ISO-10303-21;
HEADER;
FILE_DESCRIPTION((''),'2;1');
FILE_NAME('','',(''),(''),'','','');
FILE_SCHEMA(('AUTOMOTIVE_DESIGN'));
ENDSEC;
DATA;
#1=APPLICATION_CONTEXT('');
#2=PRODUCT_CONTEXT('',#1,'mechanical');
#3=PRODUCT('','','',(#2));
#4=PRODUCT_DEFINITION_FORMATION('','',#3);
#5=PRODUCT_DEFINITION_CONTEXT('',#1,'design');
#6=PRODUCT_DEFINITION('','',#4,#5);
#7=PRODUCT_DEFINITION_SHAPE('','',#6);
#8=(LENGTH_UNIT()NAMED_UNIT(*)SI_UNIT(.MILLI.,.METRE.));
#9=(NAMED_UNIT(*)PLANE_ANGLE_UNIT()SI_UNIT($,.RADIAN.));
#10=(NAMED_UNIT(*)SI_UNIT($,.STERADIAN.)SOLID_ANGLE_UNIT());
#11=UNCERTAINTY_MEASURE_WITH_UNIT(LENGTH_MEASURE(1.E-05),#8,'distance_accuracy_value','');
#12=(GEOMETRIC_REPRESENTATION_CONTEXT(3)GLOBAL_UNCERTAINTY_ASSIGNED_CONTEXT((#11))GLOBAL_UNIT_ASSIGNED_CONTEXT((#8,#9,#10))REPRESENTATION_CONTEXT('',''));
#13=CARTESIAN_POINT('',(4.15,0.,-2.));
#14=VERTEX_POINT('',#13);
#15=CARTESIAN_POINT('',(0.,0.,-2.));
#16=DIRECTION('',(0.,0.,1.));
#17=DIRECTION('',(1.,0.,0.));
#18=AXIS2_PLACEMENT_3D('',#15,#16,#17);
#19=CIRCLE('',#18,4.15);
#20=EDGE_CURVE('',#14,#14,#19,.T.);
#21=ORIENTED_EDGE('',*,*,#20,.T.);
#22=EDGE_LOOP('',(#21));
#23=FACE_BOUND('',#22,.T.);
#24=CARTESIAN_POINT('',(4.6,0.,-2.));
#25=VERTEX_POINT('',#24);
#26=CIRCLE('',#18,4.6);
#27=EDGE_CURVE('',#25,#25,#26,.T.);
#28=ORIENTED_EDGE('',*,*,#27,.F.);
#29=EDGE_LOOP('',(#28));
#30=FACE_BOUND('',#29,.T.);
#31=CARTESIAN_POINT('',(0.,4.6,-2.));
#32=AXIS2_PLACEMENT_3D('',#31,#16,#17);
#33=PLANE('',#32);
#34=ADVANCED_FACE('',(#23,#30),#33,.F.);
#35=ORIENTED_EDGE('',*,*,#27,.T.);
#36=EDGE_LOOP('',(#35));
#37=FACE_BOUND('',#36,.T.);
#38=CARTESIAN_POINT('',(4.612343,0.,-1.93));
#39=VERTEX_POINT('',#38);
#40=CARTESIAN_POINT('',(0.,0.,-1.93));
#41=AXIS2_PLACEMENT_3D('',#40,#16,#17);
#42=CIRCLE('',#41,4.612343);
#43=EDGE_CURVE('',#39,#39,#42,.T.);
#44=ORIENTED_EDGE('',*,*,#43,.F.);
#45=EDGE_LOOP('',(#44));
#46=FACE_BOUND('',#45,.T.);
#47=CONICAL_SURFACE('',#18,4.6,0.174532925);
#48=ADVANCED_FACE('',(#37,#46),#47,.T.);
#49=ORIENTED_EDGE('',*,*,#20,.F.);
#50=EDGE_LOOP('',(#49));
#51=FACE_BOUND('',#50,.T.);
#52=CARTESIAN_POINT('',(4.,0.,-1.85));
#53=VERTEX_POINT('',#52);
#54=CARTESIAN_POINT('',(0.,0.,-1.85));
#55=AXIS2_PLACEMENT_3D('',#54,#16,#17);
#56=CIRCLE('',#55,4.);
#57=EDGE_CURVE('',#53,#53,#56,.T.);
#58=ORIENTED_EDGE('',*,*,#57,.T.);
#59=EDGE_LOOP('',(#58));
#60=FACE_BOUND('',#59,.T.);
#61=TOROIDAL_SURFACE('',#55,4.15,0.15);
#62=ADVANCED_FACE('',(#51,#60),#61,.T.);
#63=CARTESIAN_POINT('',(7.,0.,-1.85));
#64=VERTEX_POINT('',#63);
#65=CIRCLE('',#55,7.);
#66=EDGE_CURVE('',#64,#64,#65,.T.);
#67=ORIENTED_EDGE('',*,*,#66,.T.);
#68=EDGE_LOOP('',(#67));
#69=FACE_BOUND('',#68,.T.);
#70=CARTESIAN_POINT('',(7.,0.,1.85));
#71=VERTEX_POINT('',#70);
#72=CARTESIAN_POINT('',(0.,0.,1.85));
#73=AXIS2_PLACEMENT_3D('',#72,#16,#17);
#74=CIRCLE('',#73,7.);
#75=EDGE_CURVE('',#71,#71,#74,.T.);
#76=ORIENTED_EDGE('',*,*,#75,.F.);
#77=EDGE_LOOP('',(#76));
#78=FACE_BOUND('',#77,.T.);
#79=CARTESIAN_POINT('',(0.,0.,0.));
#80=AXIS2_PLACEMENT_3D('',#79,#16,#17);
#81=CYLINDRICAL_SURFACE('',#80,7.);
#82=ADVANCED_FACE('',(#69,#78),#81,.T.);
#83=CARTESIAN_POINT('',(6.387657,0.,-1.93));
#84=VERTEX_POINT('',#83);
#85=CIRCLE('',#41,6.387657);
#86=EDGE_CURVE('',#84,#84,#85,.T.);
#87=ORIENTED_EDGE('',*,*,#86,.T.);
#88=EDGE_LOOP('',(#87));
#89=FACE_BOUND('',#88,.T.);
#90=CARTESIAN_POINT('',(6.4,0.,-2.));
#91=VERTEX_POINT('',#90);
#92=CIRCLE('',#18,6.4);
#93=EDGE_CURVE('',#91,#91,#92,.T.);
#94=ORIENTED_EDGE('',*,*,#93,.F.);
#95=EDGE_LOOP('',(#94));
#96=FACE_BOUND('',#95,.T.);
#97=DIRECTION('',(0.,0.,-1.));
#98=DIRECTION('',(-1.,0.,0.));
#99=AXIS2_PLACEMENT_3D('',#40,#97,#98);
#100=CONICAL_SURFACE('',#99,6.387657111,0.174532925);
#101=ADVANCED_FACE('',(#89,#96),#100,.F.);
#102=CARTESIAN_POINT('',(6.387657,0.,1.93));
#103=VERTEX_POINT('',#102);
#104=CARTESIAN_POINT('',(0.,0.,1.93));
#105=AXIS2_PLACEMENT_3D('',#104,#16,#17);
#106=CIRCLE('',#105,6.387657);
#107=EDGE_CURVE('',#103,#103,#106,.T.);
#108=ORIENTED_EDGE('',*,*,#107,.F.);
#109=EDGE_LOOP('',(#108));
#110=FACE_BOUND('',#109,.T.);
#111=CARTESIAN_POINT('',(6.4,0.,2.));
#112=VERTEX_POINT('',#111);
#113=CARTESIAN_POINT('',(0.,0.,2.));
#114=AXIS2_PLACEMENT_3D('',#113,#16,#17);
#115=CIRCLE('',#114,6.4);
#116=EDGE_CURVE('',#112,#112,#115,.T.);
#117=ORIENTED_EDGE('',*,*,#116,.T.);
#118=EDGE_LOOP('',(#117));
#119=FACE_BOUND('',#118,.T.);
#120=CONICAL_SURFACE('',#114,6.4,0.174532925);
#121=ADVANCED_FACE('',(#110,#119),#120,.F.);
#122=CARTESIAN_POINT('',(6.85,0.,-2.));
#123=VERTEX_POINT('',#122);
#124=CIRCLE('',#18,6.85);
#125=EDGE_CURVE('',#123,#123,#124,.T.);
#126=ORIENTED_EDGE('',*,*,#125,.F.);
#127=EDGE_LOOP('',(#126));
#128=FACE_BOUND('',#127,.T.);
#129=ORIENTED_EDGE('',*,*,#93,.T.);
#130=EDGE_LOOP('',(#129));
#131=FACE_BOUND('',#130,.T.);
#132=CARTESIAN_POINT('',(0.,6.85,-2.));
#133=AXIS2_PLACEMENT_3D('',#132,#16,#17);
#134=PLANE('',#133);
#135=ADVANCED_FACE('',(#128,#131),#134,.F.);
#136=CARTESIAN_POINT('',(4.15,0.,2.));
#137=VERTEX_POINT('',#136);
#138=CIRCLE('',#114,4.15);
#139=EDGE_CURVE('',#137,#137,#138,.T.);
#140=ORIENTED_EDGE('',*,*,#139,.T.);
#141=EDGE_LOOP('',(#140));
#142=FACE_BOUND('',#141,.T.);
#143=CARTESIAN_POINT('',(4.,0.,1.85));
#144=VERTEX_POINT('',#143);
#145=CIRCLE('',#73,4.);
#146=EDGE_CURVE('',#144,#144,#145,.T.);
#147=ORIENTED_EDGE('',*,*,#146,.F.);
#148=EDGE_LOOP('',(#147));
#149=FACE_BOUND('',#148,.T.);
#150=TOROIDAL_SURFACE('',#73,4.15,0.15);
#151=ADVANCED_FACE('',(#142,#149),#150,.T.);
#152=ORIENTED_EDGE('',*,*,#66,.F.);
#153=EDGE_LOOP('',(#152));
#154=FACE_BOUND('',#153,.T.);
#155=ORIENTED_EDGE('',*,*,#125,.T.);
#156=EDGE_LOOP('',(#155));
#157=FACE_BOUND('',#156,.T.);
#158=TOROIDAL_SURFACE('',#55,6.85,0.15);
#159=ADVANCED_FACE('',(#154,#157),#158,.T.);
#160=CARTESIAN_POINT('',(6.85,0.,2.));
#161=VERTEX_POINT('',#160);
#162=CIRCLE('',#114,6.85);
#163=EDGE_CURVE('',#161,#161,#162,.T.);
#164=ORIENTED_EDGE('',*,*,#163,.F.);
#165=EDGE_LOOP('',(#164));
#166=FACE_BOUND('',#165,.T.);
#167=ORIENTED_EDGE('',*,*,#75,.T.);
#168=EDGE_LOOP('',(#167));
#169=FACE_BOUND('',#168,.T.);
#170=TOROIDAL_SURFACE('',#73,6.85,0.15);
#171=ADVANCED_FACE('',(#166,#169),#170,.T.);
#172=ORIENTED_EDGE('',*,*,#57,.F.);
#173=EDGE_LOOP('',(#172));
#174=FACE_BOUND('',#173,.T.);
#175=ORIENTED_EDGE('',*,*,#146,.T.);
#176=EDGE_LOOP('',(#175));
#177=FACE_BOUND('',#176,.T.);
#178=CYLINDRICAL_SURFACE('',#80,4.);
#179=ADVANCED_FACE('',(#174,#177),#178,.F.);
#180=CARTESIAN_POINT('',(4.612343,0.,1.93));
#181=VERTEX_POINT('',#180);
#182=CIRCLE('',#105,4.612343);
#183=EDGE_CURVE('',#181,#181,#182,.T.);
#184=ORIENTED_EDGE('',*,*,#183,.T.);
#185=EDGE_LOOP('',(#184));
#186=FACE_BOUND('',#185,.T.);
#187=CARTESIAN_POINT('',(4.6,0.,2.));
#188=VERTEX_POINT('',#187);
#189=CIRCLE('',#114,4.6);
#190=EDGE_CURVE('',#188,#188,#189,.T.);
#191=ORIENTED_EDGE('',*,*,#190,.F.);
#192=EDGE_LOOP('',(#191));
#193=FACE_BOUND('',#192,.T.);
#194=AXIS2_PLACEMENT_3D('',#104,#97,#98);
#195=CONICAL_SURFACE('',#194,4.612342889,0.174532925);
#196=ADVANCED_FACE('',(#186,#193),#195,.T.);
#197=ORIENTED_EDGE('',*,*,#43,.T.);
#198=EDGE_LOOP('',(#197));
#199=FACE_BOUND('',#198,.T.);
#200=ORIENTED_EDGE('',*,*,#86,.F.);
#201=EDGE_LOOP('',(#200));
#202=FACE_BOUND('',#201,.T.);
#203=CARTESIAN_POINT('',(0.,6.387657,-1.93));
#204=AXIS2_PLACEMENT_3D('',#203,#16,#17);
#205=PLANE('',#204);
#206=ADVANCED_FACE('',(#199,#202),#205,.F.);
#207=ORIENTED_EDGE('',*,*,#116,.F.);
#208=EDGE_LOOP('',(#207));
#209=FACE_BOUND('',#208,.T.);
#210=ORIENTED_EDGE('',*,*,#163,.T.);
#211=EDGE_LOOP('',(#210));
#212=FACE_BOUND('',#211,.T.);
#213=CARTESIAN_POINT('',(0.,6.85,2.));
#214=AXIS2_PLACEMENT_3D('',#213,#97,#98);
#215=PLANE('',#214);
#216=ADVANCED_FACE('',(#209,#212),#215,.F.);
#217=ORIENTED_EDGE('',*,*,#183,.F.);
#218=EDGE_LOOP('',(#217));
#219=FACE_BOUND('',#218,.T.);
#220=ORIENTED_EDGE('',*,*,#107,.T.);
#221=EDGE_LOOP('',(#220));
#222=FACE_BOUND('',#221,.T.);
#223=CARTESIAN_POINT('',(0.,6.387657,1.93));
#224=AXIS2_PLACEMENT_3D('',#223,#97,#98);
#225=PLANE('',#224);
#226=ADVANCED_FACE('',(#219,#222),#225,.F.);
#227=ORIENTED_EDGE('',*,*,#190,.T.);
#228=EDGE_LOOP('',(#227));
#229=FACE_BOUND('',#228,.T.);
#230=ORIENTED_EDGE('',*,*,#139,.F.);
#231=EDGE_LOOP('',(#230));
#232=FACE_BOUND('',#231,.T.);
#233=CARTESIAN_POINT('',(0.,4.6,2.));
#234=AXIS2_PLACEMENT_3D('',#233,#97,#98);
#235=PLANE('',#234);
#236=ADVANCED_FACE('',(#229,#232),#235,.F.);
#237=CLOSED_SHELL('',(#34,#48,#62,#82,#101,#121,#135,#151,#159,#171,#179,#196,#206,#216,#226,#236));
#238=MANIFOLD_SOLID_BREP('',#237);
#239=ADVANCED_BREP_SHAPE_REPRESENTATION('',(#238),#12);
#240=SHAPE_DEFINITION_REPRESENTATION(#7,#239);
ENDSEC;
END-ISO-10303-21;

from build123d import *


with BuildPart() as part:
    # Sketch1 → Revolve1 (revolve)
    with BuildSketch(Plane(origin=(0, 0, 0), x_dir=(0, 0, -1), z_dir=(1, 0, 0)), mode=Mode.PRIVATE) as revolve1_sk:
        with BuildLine():
            Line((-1.85, 7), (1.85, 7))
            ThreePointArc((1.85, 7), (1.956066017, 6.956066017), (2, 6.85))
            Line((2, 6.85), (2, 6.4))
            Line((2, 6.4), (1.93, 6.387657111))
            Line((1.93, 6.387657111), (1.93, 4.612342889))
            Line((1.93, 4.612342889), (2, 4.6))
            Line((2, 4.6), (2, 4.15))
            ThreePointArc((2, 4.15), (1.956066017, 4.043933983), (1.85, 4))
            Line((1.85, 4), (-1.85, 4))
            ThreePointArc((-1.85, 4), (-1.956066017, 4.043933983), (-2, 4.15))
            Line((-2, 4.15), (-2, 4.6))
            Line((-2, 4.6), (-1.93, 4.612342889))
            Line((-1.93, 4.612342889), (-1.93, 6.387657111))
            Line((-1.93, 6.387657111), (-2, 6.4))
            Line((-2, 6.4), (-2, 6.85))
            ThreePointArc((-2, 6.85), (-1.956066017, 6.956066017), (-1.85, 7))
        make_face()
    revolve(revolve1_sk.sketch.rotate(Axis((0, 0, 0), (0, 0, -1)), 90), axis=Axis((0, 0, 0), (0, 0, -1)))


solid = part.part
